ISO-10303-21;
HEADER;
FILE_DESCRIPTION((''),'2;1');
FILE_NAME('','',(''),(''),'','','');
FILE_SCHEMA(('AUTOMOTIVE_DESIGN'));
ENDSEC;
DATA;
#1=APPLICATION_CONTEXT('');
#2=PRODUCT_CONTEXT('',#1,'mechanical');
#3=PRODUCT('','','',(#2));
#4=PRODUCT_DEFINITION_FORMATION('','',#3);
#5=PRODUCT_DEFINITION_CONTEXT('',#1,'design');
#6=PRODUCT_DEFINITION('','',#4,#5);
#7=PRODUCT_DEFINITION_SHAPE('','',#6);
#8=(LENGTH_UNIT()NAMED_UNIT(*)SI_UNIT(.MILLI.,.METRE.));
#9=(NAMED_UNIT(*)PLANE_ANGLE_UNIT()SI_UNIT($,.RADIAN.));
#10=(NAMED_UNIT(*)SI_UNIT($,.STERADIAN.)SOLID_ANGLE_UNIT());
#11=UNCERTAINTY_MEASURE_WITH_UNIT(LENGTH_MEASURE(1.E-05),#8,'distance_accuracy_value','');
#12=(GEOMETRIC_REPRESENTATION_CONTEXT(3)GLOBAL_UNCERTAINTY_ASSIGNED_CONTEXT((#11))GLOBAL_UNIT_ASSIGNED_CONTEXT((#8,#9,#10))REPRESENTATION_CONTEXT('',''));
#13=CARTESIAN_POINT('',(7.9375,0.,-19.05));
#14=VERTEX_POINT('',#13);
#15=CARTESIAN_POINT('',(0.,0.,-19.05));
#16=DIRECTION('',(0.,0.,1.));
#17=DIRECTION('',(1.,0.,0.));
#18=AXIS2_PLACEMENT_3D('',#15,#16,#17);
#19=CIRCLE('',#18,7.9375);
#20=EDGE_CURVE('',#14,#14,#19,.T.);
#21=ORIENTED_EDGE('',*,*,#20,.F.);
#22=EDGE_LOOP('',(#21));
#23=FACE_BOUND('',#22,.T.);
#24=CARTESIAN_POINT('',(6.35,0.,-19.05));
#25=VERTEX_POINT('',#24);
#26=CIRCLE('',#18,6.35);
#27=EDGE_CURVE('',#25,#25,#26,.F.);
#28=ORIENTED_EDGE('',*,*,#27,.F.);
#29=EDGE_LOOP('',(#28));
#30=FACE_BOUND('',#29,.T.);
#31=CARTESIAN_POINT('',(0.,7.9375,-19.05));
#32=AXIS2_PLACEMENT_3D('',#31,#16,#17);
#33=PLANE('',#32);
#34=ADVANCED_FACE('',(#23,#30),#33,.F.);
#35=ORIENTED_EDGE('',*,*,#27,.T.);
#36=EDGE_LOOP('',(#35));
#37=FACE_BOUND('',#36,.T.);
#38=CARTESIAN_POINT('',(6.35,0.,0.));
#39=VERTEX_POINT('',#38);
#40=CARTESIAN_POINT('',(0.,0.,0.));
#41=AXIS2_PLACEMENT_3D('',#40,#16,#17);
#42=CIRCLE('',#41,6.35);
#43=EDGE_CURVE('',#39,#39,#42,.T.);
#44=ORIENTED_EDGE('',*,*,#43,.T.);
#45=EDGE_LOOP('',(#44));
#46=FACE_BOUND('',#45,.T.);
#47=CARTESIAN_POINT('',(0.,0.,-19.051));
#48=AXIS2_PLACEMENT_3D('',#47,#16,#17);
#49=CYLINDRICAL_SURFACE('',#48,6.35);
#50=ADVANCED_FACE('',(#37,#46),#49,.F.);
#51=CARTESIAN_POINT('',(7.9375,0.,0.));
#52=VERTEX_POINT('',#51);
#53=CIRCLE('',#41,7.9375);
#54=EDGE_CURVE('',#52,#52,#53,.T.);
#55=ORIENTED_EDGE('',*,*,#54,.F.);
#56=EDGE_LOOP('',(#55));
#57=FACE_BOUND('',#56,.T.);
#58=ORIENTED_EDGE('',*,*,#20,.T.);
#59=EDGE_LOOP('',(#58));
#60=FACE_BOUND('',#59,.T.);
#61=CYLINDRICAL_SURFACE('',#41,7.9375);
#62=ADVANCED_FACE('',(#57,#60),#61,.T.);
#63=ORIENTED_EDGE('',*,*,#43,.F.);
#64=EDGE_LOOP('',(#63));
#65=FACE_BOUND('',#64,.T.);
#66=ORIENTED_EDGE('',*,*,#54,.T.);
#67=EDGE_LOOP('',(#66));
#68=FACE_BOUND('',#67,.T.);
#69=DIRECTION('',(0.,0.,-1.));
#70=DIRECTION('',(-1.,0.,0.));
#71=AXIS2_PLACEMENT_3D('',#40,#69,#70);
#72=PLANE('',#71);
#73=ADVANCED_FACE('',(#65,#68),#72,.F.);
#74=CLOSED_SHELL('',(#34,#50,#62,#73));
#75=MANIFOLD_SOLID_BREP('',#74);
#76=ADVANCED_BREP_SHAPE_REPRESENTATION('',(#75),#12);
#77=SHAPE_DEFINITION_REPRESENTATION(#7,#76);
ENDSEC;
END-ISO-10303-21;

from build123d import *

# Parameters (mm, degrees)
CROQUIS1_W            = 19.05
CROQUIS1_H            = 7.9375
CORTAR_EXTRUIR2_REACH = 24.111
CROQUIS2_R            = 6.35


with BuildPart() as part:
    # Croquis1 → Revolución1 (revolve)
    with BuildSketch(Plane(origin=(0, 0, 0), x_dir=(0, 0, -1), z_dir=(1, 0, 0)), mode=Mode.PRIVATE) as revoluci_n1_sk:
        with Locations((9.525, 3.96875)):
            Rectangle(CROQUIS1_W, CROQUIS1_H)
    revolve(revoluci_n1_sk.sketch.rotate(Axis((0, 0, 0), (0, 0, -1)), 90), axis=Axis((0, 0, 0), (0, 0, -1)))

    # Croquis2 → Cortar-Extruir2 (cut, up to next)
    with BuildSketch(Plane.XY, mode=Mode.PRIVATE) as cortar_extruir2_sk1:
        Circle(CROQUIS2_R)
    cortar_extruir2_tool1 = extrude(cortar_extruir2_sk1.sketch, amount=-CORTAR_EXTRUIR2_REACH, mode=Mode.PRIVATE) & part.part
    add(cortar_extruir2_tool1.solids().sort_by_distance((0, 0, 0))[0], mode=Mode.SUBTRACT)


solid = part.part
